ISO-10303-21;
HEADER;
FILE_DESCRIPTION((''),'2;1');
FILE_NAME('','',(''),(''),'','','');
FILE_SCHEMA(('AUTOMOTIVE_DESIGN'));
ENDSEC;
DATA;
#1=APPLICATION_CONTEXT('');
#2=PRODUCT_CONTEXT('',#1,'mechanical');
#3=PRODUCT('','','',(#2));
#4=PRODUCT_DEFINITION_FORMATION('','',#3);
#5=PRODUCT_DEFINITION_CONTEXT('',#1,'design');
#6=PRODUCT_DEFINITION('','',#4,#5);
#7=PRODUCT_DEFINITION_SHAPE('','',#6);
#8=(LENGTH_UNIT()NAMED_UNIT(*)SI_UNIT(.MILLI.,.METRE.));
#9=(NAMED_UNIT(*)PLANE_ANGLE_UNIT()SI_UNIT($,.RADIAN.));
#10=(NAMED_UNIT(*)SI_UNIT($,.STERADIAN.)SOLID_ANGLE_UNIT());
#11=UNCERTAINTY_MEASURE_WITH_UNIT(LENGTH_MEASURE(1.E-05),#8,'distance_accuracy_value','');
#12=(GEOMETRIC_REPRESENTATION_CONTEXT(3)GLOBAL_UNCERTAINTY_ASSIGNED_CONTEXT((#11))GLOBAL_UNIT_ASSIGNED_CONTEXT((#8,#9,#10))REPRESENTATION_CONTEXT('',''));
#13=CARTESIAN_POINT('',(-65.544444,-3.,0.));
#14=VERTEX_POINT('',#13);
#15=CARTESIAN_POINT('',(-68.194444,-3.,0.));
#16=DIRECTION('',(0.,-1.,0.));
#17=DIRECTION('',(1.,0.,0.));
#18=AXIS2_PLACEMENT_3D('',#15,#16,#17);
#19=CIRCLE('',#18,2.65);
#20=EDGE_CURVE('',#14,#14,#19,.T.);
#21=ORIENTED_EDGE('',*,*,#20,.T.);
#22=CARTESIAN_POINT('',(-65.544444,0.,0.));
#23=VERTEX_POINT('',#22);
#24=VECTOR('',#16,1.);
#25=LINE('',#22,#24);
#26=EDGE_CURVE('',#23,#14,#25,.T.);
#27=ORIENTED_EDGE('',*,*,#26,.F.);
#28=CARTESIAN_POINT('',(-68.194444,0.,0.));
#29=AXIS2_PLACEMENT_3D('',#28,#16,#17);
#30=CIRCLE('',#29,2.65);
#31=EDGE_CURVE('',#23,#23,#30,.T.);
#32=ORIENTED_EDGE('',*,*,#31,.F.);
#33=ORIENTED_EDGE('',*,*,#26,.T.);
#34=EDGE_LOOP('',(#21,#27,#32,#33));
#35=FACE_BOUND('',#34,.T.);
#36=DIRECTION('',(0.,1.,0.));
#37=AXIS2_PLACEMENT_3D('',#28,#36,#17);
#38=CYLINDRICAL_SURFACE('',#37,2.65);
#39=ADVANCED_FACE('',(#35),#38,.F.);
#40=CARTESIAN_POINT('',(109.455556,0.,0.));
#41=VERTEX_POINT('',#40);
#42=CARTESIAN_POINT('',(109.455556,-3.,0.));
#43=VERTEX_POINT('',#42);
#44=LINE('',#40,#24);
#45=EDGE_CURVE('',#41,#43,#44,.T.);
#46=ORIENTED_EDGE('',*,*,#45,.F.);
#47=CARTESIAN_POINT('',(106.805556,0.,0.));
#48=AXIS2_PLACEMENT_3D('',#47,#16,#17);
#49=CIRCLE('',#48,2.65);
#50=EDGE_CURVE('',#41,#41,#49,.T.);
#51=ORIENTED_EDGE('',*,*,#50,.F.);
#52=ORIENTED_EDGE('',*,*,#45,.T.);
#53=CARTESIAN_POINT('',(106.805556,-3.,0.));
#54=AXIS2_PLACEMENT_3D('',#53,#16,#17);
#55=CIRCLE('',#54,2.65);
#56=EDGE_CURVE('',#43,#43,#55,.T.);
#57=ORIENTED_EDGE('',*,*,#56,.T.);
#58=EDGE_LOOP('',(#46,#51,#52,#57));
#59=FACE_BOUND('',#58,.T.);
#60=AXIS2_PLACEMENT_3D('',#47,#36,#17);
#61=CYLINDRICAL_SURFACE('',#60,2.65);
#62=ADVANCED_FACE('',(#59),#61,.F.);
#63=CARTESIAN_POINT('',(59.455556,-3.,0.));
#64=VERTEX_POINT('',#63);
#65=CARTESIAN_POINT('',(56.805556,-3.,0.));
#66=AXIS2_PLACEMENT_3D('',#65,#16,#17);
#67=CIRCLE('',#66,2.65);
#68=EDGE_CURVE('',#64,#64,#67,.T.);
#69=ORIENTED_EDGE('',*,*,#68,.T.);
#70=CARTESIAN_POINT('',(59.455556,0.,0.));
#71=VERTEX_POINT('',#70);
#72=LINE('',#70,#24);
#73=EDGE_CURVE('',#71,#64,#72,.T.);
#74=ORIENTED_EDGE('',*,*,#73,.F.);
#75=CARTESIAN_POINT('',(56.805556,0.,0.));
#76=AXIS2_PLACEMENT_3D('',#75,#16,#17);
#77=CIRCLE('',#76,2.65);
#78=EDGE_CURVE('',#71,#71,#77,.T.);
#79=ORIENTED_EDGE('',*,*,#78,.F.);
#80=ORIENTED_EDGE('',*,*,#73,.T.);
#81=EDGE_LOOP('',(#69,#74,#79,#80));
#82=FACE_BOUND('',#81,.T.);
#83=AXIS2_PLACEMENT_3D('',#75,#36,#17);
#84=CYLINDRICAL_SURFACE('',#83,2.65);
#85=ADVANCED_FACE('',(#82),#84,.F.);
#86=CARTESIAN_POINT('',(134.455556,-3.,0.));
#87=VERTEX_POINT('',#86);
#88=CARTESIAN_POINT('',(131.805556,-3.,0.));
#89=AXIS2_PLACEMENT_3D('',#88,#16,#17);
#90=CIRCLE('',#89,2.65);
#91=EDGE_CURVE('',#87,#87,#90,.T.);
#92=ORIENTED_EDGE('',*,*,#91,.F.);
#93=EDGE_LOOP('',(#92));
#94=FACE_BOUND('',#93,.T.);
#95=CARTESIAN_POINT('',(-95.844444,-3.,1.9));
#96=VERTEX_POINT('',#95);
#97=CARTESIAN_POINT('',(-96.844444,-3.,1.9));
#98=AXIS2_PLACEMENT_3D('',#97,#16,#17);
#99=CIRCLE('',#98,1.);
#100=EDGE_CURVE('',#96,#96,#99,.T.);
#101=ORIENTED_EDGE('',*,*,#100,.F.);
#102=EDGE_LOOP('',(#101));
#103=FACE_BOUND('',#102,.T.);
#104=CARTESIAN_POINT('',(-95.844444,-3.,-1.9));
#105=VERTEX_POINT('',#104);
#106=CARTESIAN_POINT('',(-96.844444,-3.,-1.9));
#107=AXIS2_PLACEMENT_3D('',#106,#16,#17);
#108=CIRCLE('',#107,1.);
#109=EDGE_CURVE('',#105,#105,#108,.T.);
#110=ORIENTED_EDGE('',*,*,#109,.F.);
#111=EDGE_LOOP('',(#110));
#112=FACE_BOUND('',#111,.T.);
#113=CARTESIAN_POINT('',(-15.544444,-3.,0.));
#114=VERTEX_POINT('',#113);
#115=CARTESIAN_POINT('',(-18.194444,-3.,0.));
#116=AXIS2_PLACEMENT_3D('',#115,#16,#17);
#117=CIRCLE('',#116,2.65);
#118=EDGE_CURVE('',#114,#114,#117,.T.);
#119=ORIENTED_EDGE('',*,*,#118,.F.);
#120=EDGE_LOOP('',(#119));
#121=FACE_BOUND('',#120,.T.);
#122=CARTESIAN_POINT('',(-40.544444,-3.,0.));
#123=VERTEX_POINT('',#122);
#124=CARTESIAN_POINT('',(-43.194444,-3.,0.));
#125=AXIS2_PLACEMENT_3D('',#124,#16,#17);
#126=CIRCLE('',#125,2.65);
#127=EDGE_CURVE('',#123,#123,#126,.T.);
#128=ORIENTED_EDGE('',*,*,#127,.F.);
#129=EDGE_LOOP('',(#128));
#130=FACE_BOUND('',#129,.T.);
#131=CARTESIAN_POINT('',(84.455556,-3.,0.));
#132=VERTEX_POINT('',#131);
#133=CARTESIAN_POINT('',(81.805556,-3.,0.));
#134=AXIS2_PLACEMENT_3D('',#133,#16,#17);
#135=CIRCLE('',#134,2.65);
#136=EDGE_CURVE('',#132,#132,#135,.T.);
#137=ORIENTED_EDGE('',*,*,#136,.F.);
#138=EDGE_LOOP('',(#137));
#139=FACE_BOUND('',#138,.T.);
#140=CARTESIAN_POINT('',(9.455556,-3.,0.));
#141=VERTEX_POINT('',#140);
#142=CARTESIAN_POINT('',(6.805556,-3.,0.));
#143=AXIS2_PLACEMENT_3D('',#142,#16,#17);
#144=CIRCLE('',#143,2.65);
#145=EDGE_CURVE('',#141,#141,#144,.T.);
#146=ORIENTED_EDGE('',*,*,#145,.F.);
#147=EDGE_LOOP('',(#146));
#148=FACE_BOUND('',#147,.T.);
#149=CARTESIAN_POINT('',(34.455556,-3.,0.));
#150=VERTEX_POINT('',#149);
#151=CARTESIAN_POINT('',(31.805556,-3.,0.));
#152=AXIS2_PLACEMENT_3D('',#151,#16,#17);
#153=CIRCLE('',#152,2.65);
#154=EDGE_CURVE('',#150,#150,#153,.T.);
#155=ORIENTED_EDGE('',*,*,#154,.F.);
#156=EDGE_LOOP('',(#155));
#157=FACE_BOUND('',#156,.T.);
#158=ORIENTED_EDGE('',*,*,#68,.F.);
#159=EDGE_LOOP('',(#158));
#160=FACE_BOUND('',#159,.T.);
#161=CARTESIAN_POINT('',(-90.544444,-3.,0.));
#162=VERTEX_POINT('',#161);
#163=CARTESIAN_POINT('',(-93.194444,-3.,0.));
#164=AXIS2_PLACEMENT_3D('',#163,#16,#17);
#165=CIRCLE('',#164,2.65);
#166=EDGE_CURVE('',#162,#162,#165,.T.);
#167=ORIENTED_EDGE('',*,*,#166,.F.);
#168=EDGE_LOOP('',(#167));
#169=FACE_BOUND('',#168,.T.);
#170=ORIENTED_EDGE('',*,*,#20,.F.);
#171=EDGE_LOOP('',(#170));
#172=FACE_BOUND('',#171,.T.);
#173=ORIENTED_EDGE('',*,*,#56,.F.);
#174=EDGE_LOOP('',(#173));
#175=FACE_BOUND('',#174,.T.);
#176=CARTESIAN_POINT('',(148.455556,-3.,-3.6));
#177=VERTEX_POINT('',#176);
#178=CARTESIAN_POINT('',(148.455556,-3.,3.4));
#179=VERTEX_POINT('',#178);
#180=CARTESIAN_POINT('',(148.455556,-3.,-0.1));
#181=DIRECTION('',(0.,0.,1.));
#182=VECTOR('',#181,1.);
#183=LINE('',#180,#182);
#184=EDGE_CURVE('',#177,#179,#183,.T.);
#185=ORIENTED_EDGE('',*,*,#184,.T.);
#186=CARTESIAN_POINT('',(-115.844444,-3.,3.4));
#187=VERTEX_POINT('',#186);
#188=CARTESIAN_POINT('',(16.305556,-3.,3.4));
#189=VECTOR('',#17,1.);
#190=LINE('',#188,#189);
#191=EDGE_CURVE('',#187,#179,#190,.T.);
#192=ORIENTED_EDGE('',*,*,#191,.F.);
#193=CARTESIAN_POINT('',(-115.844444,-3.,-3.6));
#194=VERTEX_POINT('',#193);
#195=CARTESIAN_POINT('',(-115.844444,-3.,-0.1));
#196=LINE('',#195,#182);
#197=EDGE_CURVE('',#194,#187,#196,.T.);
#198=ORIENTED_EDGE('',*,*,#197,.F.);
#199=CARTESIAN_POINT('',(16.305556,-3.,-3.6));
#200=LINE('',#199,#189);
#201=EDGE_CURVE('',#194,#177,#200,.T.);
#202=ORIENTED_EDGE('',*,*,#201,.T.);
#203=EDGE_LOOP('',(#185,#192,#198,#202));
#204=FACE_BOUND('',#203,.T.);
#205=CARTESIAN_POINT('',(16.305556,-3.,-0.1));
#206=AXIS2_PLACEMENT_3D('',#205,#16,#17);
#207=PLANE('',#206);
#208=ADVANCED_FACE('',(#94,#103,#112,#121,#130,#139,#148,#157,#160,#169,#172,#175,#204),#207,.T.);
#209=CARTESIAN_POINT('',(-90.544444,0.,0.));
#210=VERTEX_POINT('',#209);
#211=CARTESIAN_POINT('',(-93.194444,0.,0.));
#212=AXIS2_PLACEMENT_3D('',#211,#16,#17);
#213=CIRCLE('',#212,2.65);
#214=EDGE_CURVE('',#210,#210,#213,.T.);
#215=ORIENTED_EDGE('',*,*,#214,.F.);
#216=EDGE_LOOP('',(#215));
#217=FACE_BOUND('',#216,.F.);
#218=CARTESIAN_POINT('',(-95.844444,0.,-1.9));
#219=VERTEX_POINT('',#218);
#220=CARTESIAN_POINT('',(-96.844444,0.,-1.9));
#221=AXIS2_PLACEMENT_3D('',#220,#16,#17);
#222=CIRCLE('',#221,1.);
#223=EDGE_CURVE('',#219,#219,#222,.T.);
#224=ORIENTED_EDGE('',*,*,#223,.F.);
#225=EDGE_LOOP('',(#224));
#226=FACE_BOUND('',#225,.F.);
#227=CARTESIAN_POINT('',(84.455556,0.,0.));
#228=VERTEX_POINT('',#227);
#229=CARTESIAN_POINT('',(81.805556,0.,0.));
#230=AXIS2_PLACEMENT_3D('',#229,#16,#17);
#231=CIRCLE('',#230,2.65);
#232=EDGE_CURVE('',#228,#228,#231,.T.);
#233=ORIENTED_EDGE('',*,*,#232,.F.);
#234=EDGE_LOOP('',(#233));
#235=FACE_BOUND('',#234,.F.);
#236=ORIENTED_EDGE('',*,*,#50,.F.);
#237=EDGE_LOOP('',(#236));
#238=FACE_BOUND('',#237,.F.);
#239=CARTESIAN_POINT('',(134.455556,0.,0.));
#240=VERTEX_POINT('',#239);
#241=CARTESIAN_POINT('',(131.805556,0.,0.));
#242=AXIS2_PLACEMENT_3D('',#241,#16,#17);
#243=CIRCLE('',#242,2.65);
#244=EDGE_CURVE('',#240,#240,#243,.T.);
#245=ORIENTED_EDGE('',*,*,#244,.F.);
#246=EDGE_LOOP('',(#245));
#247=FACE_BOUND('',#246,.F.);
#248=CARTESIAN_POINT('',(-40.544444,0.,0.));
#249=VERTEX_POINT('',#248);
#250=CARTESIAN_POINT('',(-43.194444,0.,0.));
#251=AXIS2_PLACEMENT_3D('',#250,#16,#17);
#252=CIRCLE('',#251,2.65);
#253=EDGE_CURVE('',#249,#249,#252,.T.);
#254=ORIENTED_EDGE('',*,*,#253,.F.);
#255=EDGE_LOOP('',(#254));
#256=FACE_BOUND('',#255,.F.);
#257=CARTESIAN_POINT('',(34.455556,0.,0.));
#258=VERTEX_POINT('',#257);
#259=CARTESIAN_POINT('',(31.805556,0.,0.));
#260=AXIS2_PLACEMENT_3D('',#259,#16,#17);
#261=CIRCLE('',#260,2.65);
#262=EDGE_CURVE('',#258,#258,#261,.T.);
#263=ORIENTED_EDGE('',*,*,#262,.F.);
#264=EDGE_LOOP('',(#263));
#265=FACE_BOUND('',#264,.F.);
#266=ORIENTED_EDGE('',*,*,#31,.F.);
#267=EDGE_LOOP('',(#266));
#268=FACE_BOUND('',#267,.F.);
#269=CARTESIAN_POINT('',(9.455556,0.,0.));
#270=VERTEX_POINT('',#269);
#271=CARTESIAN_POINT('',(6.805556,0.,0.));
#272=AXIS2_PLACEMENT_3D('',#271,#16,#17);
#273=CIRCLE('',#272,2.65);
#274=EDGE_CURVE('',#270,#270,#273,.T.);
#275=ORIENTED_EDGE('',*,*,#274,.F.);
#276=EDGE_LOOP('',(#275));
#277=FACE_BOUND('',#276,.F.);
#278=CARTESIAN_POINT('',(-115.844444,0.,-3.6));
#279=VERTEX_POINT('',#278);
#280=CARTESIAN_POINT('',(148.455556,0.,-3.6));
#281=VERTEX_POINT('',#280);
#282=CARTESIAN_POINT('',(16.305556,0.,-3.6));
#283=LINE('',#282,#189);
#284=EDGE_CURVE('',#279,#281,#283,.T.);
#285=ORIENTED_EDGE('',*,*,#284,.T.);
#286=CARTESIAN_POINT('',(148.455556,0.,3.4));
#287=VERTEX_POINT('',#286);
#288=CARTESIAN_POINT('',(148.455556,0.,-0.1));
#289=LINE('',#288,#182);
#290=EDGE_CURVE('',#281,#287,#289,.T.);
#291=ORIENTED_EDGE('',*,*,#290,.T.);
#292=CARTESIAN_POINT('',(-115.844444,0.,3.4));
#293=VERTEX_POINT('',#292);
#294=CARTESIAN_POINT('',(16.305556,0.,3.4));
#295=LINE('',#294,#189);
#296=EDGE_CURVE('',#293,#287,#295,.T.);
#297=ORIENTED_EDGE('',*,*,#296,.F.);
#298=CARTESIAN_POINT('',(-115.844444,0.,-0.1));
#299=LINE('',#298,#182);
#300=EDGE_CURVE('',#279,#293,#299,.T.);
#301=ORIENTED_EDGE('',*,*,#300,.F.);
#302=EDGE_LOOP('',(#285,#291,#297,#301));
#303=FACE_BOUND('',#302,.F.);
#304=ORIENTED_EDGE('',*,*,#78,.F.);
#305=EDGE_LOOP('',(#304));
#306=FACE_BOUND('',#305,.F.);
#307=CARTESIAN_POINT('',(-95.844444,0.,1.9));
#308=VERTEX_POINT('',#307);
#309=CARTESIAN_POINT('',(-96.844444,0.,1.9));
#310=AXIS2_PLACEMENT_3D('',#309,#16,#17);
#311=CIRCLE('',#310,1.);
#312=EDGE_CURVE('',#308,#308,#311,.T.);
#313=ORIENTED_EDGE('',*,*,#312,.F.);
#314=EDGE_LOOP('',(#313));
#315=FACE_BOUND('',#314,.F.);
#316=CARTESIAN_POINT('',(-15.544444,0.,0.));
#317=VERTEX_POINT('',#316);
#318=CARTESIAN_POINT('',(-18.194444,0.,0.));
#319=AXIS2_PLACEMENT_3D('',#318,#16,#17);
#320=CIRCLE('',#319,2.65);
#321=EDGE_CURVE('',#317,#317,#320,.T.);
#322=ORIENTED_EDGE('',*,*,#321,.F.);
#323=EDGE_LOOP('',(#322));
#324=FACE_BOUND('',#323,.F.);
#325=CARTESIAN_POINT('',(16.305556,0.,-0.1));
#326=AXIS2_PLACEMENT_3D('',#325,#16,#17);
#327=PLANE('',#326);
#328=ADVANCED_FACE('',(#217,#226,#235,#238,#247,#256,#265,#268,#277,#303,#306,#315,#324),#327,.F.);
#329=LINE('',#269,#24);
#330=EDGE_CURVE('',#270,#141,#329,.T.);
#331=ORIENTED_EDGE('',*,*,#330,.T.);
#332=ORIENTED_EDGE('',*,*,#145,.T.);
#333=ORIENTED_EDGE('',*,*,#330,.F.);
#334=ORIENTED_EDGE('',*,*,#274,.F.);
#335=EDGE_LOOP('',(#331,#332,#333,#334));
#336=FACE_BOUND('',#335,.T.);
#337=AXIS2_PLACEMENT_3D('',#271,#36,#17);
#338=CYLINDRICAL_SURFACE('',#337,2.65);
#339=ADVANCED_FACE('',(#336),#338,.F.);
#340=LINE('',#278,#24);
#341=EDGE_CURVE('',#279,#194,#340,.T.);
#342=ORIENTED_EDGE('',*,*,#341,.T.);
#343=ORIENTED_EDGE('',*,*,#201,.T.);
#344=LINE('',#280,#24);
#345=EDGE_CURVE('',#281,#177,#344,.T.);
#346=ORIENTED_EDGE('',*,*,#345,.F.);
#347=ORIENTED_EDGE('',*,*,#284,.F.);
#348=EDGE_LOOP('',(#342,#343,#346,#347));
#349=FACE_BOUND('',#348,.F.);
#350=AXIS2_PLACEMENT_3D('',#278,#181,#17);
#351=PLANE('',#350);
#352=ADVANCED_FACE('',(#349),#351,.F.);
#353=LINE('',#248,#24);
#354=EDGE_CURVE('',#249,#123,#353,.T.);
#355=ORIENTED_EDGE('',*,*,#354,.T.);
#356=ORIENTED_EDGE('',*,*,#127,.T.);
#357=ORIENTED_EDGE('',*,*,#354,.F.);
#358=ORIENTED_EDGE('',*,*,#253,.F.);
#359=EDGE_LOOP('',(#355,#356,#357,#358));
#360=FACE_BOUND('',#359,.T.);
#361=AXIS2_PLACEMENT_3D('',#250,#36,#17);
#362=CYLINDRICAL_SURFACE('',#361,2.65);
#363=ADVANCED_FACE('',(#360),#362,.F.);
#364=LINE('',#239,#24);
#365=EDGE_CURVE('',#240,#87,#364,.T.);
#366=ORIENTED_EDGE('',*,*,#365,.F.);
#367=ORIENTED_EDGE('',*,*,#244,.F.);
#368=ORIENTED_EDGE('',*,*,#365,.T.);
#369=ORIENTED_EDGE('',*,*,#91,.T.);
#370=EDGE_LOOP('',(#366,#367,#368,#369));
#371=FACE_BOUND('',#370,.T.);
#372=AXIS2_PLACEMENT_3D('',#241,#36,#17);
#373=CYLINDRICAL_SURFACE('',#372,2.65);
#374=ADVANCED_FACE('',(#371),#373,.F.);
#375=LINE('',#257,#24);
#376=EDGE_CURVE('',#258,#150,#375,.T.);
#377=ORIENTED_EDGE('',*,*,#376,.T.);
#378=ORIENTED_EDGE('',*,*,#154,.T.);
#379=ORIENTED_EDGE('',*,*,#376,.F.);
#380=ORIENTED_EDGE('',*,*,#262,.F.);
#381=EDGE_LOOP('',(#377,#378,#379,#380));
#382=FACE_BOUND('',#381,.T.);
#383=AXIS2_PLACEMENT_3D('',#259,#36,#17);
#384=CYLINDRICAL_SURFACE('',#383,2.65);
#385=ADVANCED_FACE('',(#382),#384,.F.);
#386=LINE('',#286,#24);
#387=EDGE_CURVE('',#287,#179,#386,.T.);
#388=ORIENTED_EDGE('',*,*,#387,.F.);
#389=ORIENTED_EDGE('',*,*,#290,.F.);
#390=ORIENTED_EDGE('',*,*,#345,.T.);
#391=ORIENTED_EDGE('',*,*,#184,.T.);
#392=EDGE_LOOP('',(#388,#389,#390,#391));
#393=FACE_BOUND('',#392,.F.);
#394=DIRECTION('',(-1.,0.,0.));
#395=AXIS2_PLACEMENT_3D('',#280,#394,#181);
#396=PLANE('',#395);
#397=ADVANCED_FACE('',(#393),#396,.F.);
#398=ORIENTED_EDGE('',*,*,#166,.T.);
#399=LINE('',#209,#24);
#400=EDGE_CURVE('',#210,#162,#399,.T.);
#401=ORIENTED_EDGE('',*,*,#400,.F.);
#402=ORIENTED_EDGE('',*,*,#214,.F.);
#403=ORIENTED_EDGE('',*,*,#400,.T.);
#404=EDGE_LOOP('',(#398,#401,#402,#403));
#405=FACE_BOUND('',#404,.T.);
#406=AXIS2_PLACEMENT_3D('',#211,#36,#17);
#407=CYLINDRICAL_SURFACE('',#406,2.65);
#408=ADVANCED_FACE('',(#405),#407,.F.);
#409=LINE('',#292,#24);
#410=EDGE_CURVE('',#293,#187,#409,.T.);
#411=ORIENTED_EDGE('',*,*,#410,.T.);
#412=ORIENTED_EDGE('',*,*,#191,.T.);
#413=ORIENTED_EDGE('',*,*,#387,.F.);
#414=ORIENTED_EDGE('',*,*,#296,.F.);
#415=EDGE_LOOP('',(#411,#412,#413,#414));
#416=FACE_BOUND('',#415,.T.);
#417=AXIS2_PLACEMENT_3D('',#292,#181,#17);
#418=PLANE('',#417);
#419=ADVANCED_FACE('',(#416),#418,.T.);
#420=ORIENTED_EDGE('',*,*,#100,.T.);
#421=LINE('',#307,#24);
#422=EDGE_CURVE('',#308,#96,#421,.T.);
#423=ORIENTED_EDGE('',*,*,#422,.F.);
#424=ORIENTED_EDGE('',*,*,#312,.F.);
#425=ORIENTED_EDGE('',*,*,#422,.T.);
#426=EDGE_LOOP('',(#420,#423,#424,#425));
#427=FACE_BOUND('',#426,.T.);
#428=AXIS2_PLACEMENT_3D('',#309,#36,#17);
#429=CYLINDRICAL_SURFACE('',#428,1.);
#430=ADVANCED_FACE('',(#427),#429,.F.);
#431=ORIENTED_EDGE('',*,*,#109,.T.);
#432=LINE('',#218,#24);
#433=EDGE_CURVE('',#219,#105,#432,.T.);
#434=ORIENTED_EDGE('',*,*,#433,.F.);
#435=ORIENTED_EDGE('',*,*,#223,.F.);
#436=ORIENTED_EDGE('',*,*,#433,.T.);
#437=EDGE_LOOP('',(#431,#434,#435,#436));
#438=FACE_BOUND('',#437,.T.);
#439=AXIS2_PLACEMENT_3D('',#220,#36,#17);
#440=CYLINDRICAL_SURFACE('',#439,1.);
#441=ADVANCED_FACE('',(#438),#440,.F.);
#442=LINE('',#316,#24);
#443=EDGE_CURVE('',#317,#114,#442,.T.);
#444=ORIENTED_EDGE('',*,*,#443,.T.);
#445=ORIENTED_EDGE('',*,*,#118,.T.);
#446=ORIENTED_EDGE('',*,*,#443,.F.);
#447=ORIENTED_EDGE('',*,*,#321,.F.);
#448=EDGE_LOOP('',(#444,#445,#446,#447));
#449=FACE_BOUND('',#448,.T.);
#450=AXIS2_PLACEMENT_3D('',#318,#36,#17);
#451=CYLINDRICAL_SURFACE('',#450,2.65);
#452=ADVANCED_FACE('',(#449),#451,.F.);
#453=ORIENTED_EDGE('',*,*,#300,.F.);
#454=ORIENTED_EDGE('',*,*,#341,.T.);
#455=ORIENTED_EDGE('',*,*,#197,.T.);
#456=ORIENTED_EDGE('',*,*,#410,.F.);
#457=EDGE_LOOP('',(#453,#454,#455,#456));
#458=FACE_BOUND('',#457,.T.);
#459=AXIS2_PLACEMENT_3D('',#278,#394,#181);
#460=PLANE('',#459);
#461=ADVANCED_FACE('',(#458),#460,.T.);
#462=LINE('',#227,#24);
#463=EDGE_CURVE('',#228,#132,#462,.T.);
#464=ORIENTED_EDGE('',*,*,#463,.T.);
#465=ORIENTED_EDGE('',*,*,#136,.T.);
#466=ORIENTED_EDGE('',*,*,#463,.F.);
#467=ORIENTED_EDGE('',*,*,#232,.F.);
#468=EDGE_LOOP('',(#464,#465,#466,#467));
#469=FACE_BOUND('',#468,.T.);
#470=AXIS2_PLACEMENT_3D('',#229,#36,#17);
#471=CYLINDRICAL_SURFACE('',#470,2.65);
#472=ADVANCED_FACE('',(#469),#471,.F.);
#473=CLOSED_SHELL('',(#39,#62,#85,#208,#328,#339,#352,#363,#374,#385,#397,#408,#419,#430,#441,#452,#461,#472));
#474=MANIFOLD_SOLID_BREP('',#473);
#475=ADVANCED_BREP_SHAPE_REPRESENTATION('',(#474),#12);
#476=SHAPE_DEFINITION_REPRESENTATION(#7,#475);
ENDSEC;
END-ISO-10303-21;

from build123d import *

# Parameters (mm, degrees)
F0_W     = 264.3
F0_H     = 7
F0_R     = 1
F0_R_2   = 2.65
F1_DEPTH = 3


with BuildPart() as f1:
    # F0 (on Front) → F1 (new body)
    with BuildSketch(Plane.XZ):
        with Locations((16.305556, -0.1)):
            Rectangle(F0_W, F0_H)
        with Locations((-96.844444, -1.9)):
            Circle(F0_R, mode=Mode.SUBTRACT)
        with Locations((-93.194444, 0)):
            Circle(F0_R_2, mode=Mode.SUBTRACT)
        with Locations((-68.194444, 0)):
            Circle(F0_R_2, mode=Mode.SUBTRACT)
        with Locations((-43.194444, 0)):
            Circle(F0_R_2, mode=Mode.SUBTRACT)
        with Locations((-18.194444, 0)):
            Circle(F0_R_2, mode=Mode.SUBTRACT)
        with Locations((6.805556, 0)):
            Circle(F0_R_2, mode=Mode.SUBTRACT)
        with Locations((-96.844444, 1.9)):
            Circle(F0_R, mode=Mode.SUBTRACT)
        with Locations((31.805556, 0)):
            Circle(F0_R_2, mode=Mode.SUBTRACT)
        with Locations((56.805556, 0)):
            Circle(F0_R_2, mode=Mode.SUBTRACT)
        with Locations((81.805556, 0)):
            Circle(F0_R_2, mode=Mode.SUBTRACT)
        with Locations((106.805556, 0)):
            Circle(F0_R_2, mode=Mode.SUBTRACT)
        with Locations((131.805556, 0)):
            Circle(F0_R_2, mode=Mode.SUBTRACT)
    extrude(amount=F1_DEPTH)


solid = f1.part
